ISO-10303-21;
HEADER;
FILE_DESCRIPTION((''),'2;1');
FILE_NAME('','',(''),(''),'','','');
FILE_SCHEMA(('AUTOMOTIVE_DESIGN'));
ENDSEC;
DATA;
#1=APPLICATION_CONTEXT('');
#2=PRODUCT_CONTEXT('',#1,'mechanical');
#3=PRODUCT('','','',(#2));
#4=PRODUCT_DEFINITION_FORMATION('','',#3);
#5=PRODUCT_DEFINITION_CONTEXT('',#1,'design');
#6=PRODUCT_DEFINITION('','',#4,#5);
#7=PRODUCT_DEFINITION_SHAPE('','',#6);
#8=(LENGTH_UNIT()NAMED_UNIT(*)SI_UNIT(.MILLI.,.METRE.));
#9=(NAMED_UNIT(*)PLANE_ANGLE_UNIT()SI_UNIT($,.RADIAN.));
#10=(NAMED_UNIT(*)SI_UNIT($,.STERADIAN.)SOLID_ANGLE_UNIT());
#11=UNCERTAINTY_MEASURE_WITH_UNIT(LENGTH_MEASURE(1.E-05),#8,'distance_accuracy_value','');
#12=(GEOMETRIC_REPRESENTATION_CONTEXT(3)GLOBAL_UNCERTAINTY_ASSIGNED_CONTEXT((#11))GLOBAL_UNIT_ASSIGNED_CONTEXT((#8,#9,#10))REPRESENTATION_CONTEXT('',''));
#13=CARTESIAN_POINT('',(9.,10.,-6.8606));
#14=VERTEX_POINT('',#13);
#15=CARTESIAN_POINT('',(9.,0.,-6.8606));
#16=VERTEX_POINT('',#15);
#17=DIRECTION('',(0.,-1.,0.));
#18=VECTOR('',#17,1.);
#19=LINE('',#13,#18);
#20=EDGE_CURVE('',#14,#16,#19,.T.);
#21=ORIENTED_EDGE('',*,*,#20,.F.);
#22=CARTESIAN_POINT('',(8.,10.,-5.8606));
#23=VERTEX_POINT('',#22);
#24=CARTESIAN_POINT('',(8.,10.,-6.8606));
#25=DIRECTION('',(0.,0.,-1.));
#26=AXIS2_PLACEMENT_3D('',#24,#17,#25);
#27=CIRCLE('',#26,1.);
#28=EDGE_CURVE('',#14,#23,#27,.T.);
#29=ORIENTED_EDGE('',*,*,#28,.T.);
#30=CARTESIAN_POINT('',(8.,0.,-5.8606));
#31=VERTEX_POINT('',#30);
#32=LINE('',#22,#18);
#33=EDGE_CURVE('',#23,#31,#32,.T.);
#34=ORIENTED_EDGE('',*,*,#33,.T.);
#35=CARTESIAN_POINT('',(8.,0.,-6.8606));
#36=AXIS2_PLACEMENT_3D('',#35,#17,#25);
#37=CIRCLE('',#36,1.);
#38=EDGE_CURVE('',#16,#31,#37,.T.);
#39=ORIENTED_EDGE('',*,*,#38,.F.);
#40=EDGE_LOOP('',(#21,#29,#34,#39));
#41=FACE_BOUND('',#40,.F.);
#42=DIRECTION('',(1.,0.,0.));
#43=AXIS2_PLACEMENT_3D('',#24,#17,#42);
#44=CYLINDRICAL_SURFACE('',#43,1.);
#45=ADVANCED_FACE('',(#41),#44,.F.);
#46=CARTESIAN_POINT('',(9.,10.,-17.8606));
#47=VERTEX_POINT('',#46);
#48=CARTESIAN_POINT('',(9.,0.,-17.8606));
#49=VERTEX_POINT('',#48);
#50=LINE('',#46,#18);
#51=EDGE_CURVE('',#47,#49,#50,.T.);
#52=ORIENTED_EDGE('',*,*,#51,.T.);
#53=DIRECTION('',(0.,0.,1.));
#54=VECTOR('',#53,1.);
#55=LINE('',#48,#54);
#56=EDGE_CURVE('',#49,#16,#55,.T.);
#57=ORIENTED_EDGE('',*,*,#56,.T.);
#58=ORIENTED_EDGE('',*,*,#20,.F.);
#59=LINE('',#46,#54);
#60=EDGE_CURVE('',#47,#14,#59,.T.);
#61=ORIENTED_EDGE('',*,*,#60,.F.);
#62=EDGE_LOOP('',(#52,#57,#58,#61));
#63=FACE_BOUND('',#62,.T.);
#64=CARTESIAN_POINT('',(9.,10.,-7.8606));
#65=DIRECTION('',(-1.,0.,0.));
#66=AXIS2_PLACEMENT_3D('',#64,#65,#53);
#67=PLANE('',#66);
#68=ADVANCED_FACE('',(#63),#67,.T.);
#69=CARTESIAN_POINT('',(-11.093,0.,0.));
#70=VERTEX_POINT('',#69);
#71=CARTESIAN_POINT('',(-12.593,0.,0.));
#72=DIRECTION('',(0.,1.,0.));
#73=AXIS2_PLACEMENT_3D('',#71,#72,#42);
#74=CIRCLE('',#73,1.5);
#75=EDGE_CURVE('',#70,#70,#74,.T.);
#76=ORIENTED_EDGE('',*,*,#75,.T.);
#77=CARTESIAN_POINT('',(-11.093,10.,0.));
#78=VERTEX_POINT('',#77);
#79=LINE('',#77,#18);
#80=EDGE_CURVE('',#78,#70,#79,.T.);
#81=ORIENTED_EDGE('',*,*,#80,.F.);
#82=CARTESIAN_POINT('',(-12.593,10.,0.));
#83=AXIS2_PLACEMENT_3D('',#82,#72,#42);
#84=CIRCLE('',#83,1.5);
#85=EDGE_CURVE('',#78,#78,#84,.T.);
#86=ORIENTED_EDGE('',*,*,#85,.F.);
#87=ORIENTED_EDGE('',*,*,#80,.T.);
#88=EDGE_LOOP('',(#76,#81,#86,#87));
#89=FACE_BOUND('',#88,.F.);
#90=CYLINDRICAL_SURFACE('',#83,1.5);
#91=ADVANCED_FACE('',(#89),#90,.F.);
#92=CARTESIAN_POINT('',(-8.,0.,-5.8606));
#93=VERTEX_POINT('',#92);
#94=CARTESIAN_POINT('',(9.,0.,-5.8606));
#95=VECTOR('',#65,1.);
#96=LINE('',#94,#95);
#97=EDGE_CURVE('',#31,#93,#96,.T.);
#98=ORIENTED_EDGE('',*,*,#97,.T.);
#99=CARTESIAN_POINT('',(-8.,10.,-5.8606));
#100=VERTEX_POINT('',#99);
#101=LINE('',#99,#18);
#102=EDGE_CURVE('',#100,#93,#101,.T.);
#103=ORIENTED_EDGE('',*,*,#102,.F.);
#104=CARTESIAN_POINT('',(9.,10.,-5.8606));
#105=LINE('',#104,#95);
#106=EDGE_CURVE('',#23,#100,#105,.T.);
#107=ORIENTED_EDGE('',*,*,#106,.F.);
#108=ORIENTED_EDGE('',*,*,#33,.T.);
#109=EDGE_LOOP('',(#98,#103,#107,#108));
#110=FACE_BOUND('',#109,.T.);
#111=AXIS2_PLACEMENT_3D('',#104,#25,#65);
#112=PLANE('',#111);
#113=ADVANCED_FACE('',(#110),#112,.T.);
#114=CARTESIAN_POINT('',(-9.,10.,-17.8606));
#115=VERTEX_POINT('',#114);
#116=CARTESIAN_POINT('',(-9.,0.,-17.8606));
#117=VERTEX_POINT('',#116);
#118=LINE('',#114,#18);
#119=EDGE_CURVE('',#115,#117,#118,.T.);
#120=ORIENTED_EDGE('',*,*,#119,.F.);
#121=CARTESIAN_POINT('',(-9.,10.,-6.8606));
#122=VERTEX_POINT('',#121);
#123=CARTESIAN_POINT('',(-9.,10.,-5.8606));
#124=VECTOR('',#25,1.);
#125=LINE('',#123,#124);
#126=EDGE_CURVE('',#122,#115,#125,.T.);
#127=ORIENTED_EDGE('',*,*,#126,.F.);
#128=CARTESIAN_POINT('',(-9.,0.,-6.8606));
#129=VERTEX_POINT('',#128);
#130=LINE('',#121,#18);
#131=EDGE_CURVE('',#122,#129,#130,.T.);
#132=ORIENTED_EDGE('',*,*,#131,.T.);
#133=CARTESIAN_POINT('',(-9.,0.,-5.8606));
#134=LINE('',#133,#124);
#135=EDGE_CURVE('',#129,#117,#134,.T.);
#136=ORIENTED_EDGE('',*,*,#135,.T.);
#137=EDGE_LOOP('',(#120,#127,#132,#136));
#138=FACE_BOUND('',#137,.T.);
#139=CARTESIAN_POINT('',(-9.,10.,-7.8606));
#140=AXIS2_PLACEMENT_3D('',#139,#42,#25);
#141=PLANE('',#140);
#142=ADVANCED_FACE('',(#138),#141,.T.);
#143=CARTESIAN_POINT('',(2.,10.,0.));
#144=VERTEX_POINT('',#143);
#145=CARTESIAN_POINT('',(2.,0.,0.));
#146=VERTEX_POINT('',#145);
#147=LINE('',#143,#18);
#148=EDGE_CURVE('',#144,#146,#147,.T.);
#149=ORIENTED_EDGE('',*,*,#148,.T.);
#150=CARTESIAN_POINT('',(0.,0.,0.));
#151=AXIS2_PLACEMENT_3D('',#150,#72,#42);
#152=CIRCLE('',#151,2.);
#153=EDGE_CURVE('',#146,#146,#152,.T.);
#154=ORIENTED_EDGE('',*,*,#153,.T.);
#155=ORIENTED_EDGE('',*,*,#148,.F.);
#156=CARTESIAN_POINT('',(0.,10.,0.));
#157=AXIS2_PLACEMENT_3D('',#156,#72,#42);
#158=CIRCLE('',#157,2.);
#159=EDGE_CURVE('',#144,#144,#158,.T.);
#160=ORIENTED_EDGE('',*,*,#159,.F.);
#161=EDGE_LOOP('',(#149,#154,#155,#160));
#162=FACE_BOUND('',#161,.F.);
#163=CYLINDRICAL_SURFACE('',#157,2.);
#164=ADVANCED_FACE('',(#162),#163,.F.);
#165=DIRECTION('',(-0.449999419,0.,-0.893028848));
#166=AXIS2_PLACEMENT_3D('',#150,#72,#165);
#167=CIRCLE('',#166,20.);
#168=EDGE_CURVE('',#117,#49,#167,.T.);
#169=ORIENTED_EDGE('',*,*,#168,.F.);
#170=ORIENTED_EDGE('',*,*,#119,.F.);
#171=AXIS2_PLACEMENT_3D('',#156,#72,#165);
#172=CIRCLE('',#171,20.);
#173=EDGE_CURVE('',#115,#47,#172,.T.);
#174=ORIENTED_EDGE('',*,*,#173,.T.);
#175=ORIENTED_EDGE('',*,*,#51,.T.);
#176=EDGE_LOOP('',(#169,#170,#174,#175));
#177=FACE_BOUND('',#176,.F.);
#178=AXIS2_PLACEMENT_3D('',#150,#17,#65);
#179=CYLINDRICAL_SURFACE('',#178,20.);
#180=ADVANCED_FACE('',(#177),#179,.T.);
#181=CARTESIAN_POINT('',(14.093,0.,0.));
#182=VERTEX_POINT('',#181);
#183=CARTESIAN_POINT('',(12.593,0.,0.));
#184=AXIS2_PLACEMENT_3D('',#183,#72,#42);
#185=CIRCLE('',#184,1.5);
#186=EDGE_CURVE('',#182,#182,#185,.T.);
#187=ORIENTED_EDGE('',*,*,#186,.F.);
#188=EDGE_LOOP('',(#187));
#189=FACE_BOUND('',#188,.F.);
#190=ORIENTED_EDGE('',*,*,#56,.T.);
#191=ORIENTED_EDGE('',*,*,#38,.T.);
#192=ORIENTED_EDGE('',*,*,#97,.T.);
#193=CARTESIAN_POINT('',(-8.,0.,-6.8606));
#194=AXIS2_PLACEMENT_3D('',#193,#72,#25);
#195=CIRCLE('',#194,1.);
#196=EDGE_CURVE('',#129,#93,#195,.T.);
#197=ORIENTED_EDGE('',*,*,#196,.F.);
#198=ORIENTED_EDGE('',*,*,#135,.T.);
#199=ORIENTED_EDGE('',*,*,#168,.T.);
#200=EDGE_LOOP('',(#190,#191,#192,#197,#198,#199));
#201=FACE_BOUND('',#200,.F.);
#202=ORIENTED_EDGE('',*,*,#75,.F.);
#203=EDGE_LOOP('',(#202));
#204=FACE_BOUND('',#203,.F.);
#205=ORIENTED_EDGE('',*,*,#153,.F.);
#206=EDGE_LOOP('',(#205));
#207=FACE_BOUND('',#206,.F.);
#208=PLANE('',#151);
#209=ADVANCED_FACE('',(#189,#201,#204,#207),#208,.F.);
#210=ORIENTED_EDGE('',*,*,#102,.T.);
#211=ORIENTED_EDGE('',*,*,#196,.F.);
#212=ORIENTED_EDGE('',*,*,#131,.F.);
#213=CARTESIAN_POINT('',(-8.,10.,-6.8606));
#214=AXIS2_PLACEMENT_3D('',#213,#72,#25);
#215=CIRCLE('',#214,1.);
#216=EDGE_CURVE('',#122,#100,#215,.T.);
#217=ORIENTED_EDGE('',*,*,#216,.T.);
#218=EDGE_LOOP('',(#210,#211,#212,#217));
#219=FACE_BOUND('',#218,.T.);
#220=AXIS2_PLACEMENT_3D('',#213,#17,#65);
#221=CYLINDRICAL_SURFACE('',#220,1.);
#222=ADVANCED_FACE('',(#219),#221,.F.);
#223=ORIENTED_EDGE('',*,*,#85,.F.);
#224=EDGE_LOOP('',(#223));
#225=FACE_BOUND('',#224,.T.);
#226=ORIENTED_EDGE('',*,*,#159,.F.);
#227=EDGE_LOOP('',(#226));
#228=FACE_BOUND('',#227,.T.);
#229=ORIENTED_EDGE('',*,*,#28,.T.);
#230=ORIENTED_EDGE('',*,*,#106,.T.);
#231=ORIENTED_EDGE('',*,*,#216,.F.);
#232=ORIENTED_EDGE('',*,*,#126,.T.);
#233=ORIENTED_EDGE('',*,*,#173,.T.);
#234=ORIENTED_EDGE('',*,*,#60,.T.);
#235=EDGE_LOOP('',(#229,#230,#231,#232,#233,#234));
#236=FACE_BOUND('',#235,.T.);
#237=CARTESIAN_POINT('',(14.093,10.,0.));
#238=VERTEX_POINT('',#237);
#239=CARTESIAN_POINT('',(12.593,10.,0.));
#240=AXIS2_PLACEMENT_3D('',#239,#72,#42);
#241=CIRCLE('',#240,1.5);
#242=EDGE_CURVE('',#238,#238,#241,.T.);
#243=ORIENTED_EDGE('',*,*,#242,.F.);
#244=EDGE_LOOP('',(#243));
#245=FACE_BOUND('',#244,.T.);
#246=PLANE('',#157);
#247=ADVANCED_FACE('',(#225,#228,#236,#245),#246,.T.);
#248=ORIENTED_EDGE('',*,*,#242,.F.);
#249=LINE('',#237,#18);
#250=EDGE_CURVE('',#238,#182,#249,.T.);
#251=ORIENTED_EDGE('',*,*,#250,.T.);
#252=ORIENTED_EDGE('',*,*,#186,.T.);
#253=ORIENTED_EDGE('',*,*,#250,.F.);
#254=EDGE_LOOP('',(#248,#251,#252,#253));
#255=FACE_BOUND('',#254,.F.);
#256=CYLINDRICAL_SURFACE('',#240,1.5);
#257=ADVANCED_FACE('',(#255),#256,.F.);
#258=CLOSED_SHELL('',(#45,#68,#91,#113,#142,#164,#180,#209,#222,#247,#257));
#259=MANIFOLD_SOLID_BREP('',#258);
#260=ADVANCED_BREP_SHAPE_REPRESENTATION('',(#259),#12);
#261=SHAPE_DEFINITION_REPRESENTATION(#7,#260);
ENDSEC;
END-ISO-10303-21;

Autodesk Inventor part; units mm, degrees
ref_plane "YZ Plane" through (0, 0, 0) normal (1, 0, 0) x (0, 1, 0)
ref_plane "XZ Plane" through (0, 0, 0) normal (0, 1, 0) x (-1, 0, 0)
ref_plane "XY Plane" through (0, 0, 0) normal (0, 0, 1) x (1, 0, 0)
sketch "Sketch1" plane through (0, 0, 0) normal (0, 1, 0) x (-1, 0, 0)
  circle A0 centre (0, 0) radius 20
  dimension "d0" = 40
extrude "Extrusion1" add sketch "Sketch1" along normal blind 10
sketch "Sketch2" plane through (0, 10, 0) normal (0, 1, 0) x (1, 0, 0)
  circle A0 centre (0, 0) radius 20 projected
  circle A1 centre (0, 0) radius 6
  dimension "d3" = 12
extrude "Extrusion2" cut sketch "Sketch2" against normal blind 10 contours A1
sketch "Sketch3" plane through (0, 10, 0) normal (0, 1, 0) x (1, 0, 0)
  circle A0 centre (-12.593, 0) radius 1.5
  circle A1 centre (12.593, 0) radius 1.5
  dimension "d7" = 3
  dimension "d8" = 3
extrude "Extrusion3" cut sketch "Sketch3" against normal blind 10
sketch "Sketch6" plane through (0, 10, 0) normal (0, 1, 0) x (1, 0, 0)
  circle A0 centre (0, 0) radius 6 projected
  circle A1 centre (0, 0) radius 20 projected
  circle A2 centre (0, 0) radius 5
  dimension "d11" = 10
extrude "Extrusion4" add sketch "Sketch6" against normal blind 10 contours A0
sketch "Sketch7" plane through (0, 10, 0) normal (0, 1, 0) x (1, 0, 0)
  circle A0 centre (0, 0) radius 5 projected
  circle A1 centre (0, 0) radius 20 projected
  circle A2 centre (0, 0) radius 3
  dimension "d14" = 6
extrude "Extrusion5" add sketch "Sketch7" against normal blind 2 contours A0
sketch "Sketch8" plane through (0, 10, 0) normal (0, 1, 0) x (1, 0, 0)
  circle A0 centre (0, 0) radius 20 projected
  line L0 (9, 17.8606) -> (9, 7.8606)
  line L1 (9, 7.8606) -> (-9, 7.8606)
  line L2 (-9, 7.8606) -> (-9, 17.8606)
  line L3 (-9, 17.8606) -> (9, 7.8606) construction
  line L4 (9, 17.8606) -> (-9, 7.8606) construction
  arc A1 (9, 17.8606) -> (-9, 17.8606) centre (0, 0) ccw
  point P0 (0, 12.8606)
  dimension "d17" = 18
  dimension "d18" = 10
extrude "Extrusion6" cut sketch "Sketch8" against normal blind 10 contours L0 L1 L2 A0 picked at (0, 11.9071)
sketch "Sketch9" plane through (0, 10, 0) normal (0, 1, 0) x (1, 0, 0)
  line L0 (-9, 7.8606) -> (9, 7.8606)
  line L1 (9, 7.8606) -> (9, 5.8606)
  line L2 (9, 5.8606) -> (-9, 5.8606)
  line L3 (-9, 5.8606) -> (-9, 7.8606)
  dimension "d21" = 18
  dimension "d25" = 2
extrude "Extrusion7" cut sketch "Sketch9" against normal blind 10
sketch "Sketch10" plane through (0, 0, 0) normal (0, -1, 0) x (1, 0, 0)
  circle A0 centre (0, 0) radius 5 projected
extrude "Extrusion8" add sketch "Sketch10" against normal blind 8
sketch "Sketch11" plane through (0, 8, 0) normal (0, 1, 0) x (1, 0, 0)
  circle A0 centre (0, 0) radius 3 projected
extrude "Extrusion9" cut sketch "Sketch11" against normal blind 8
sketch "Sketch12" plane through (0, 10, 0) normal (0, 1, 0) x (1, 0, 0)
  circle A0 centre (0, 0) radius 3 projected
  arc A1 (-9, 17.8606) -> (9, 17.8606) centre (0, 0) ccw projected
  circle A2 centre (0, 0) radius 2
  dimension "d32" = 4
extrude "Extrusion10" add sketch "Sketch12" against normal blind 10
fillet "Fillet1" radius 1 2 edges at (9, 5, -5.8606) (-9, 5, -5.8606)
properties part number "ruka_lozisko"
